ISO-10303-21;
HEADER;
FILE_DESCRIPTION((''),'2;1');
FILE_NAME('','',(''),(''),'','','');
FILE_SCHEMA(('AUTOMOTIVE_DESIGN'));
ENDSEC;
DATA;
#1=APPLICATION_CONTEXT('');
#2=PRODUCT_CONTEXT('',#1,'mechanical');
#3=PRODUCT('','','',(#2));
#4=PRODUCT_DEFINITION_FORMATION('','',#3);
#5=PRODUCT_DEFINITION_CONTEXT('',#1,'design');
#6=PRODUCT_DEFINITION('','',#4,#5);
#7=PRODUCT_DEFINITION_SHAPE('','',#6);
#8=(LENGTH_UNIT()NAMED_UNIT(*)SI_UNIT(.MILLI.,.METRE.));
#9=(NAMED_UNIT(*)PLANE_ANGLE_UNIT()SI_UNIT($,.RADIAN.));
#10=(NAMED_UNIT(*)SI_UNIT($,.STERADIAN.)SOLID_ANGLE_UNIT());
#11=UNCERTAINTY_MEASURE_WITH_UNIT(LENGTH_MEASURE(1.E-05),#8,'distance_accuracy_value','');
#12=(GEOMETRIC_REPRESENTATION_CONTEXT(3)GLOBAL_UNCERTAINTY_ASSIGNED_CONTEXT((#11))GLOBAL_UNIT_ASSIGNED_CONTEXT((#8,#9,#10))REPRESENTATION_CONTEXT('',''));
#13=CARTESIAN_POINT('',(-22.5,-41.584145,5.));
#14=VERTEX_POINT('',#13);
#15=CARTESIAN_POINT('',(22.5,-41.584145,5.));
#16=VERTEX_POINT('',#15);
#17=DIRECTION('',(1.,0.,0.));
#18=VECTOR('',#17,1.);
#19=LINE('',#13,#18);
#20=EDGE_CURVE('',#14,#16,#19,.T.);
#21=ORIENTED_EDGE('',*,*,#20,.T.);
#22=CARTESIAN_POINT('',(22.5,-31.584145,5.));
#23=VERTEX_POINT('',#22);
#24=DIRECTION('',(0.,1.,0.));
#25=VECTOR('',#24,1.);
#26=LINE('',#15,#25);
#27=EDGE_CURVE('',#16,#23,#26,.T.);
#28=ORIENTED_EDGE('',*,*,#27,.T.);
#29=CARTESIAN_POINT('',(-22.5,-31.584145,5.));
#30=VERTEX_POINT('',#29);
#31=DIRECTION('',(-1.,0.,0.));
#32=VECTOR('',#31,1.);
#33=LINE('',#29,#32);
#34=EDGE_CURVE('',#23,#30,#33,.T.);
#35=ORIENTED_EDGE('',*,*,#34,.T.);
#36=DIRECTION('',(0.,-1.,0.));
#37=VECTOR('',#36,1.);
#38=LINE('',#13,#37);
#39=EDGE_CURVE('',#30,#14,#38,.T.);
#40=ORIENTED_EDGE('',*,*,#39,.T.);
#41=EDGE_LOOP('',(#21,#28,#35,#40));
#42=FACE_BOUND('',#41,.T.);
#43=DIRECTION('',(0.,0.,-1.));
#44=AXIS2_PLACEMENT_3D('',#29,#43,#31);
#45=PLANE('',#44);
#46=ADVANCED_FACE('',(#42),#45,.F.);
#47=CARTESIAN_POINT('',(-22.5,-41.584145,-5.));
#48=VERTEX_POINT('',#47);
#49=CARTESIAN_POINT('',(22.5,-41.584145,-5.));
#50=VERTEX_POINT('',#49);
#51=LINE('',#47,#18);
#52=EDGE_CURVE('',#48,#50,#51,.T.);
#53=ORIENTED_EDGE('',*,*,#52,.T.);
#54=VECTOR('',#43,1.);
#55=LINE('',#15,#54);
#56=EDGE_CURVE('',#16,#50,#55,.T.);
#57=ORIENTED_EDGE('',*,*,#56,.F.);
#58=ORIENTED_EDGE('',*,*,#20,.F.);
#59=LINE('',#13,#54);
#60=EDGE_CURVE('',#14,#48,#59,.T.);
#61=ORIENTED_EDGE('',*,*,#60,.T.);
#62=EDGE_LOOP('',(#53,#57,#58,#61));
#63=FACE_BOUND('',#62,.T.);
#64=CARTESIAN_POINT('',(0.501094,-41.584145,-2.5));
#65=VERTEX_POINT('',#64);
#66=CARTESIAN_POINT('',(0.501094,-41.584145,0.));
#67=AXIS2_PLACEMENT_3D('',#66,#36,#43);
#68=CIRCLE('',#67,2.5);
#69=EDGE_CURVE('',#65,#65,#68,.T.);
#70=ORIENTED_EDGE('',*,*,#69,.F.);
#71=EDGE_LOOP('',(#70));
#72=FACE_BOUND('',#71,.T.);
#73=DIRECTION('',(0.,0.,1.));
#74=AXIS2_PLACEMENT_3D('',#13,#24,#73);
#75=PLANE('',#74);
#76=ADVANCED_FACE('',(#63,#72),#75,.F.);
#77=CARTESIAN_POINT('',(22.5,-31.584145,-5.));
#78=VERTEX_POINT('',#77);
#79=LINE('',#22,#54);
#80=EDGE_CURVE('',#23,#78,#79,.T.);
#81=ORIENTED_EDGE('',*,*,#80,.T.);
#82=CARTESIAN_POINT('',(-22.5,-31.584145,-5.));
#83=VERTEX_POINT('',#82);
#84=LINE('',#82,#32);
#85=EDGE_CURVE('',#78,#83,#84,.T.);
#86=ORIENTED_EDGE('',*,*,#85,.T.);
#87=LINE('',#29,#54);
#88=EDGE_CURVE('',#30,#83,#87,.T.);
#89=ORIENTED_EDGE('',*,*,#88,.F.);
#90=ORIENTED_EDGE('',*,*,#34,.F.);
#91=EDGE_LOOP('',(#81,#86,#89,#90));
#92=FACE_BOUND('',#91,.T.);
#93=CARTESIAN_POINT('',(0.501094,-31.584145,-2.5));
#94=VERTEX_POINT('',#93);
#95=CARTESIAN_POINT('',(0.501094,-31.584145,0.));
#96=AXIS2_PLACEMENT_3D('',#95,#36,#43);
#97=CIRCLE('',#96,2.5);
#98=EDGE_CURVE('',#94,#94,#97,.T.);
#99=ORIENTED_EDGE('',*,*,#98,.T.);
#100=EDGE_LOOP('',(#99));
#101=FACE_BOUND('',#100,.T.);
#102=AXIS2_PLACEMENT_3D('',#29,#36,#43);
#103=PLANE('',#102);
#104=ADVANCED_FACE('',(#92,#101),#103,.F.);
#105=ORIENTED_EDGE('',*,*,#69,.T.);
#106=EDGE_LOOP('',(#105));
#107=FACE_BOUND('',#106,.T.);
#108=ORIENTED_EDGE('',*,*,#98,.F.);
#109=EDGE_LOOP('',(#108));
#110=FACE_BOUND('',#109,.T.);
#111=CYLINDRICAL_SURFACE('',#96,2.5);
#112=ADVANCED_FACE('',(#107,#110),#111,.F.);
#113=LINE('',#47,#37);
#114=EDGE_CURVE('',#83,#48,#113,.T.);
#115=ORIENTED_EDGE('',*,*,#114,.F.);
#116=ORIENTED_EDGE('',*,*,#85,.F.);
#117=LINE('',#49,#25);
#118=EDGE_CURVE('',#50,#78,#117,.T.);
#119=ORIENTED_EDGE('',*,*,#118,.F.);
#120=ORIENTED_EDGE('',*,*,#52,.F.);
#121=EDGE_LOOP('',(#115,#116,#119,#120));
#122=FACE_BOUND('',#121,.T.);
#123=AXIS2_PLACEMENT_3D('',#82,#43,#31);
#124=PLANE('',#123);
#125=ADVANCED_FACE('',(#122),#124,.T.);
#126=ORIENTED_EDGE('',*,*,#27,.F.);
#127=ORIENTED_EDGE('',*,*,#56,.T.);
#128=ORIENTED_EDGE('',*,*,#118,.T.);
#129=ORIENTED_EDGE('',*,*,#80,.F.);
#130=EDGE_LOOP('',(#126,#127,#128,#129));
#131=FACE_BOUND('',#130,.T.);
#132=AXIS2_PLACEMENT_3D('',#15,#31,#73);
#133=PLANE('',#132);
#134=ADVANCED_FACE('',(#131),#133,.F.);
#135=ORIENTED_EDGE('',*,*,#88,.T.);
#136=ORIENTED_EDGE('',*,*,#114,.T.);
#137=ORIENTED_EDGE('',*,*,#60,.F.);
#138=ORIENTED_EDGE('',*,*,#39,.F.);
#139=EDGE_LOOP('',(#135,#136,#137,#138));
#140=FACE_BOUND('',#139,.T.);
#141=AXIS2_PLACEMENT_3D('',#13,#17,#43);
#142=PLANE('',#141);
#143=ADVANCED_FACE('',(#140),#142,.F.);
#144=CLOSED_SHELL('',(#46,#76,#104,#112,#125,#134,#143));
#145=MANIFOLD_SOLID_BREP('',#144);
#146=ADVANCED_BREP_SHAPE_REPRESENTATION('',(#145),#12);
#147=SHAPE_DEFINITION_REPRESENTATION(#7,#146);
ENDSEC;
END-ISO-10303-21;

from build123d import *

# Parameters (mm, degrees)
SCHIZZO1_W                   = 45
SCHIZZO1_H                   = 10
ESTRUSIONE_ESTRUSIONE1_DEPTH = 5
SCHIZZO2_R                   = 2.5
TAGLIO_ESTRUSIONE1_DEPTH     = 26.124689053


with BuildPart() as part:
    # Schizzo1 → Estrusione-Estrusione1 (new, symmetric)
    with BuildSketch(Plane.XY):
        with Locations((0, -36.584144653)):
            Rectangle(SCHIZZO1_W, SCHIZZO1_H)
    extrude(amount=ESTRUSIONE_ESTRUSIONE1_DEPTH, both=True)

    # Schizzo2 → Taglio-Estrusione1 (cut, through all)
    with BuildSketch(Plane.XZ.offset(41.584144653)):
        with Locations(Location((0.501094215, 0, 0), (0, 0, 270))):
            Circle(SCHIZZO2_R)
    extrude(amount=-TAGLIO_ESTRUSIONE1_DEPTH, mode=Mode.SUBTRACT)


solid = part.part
